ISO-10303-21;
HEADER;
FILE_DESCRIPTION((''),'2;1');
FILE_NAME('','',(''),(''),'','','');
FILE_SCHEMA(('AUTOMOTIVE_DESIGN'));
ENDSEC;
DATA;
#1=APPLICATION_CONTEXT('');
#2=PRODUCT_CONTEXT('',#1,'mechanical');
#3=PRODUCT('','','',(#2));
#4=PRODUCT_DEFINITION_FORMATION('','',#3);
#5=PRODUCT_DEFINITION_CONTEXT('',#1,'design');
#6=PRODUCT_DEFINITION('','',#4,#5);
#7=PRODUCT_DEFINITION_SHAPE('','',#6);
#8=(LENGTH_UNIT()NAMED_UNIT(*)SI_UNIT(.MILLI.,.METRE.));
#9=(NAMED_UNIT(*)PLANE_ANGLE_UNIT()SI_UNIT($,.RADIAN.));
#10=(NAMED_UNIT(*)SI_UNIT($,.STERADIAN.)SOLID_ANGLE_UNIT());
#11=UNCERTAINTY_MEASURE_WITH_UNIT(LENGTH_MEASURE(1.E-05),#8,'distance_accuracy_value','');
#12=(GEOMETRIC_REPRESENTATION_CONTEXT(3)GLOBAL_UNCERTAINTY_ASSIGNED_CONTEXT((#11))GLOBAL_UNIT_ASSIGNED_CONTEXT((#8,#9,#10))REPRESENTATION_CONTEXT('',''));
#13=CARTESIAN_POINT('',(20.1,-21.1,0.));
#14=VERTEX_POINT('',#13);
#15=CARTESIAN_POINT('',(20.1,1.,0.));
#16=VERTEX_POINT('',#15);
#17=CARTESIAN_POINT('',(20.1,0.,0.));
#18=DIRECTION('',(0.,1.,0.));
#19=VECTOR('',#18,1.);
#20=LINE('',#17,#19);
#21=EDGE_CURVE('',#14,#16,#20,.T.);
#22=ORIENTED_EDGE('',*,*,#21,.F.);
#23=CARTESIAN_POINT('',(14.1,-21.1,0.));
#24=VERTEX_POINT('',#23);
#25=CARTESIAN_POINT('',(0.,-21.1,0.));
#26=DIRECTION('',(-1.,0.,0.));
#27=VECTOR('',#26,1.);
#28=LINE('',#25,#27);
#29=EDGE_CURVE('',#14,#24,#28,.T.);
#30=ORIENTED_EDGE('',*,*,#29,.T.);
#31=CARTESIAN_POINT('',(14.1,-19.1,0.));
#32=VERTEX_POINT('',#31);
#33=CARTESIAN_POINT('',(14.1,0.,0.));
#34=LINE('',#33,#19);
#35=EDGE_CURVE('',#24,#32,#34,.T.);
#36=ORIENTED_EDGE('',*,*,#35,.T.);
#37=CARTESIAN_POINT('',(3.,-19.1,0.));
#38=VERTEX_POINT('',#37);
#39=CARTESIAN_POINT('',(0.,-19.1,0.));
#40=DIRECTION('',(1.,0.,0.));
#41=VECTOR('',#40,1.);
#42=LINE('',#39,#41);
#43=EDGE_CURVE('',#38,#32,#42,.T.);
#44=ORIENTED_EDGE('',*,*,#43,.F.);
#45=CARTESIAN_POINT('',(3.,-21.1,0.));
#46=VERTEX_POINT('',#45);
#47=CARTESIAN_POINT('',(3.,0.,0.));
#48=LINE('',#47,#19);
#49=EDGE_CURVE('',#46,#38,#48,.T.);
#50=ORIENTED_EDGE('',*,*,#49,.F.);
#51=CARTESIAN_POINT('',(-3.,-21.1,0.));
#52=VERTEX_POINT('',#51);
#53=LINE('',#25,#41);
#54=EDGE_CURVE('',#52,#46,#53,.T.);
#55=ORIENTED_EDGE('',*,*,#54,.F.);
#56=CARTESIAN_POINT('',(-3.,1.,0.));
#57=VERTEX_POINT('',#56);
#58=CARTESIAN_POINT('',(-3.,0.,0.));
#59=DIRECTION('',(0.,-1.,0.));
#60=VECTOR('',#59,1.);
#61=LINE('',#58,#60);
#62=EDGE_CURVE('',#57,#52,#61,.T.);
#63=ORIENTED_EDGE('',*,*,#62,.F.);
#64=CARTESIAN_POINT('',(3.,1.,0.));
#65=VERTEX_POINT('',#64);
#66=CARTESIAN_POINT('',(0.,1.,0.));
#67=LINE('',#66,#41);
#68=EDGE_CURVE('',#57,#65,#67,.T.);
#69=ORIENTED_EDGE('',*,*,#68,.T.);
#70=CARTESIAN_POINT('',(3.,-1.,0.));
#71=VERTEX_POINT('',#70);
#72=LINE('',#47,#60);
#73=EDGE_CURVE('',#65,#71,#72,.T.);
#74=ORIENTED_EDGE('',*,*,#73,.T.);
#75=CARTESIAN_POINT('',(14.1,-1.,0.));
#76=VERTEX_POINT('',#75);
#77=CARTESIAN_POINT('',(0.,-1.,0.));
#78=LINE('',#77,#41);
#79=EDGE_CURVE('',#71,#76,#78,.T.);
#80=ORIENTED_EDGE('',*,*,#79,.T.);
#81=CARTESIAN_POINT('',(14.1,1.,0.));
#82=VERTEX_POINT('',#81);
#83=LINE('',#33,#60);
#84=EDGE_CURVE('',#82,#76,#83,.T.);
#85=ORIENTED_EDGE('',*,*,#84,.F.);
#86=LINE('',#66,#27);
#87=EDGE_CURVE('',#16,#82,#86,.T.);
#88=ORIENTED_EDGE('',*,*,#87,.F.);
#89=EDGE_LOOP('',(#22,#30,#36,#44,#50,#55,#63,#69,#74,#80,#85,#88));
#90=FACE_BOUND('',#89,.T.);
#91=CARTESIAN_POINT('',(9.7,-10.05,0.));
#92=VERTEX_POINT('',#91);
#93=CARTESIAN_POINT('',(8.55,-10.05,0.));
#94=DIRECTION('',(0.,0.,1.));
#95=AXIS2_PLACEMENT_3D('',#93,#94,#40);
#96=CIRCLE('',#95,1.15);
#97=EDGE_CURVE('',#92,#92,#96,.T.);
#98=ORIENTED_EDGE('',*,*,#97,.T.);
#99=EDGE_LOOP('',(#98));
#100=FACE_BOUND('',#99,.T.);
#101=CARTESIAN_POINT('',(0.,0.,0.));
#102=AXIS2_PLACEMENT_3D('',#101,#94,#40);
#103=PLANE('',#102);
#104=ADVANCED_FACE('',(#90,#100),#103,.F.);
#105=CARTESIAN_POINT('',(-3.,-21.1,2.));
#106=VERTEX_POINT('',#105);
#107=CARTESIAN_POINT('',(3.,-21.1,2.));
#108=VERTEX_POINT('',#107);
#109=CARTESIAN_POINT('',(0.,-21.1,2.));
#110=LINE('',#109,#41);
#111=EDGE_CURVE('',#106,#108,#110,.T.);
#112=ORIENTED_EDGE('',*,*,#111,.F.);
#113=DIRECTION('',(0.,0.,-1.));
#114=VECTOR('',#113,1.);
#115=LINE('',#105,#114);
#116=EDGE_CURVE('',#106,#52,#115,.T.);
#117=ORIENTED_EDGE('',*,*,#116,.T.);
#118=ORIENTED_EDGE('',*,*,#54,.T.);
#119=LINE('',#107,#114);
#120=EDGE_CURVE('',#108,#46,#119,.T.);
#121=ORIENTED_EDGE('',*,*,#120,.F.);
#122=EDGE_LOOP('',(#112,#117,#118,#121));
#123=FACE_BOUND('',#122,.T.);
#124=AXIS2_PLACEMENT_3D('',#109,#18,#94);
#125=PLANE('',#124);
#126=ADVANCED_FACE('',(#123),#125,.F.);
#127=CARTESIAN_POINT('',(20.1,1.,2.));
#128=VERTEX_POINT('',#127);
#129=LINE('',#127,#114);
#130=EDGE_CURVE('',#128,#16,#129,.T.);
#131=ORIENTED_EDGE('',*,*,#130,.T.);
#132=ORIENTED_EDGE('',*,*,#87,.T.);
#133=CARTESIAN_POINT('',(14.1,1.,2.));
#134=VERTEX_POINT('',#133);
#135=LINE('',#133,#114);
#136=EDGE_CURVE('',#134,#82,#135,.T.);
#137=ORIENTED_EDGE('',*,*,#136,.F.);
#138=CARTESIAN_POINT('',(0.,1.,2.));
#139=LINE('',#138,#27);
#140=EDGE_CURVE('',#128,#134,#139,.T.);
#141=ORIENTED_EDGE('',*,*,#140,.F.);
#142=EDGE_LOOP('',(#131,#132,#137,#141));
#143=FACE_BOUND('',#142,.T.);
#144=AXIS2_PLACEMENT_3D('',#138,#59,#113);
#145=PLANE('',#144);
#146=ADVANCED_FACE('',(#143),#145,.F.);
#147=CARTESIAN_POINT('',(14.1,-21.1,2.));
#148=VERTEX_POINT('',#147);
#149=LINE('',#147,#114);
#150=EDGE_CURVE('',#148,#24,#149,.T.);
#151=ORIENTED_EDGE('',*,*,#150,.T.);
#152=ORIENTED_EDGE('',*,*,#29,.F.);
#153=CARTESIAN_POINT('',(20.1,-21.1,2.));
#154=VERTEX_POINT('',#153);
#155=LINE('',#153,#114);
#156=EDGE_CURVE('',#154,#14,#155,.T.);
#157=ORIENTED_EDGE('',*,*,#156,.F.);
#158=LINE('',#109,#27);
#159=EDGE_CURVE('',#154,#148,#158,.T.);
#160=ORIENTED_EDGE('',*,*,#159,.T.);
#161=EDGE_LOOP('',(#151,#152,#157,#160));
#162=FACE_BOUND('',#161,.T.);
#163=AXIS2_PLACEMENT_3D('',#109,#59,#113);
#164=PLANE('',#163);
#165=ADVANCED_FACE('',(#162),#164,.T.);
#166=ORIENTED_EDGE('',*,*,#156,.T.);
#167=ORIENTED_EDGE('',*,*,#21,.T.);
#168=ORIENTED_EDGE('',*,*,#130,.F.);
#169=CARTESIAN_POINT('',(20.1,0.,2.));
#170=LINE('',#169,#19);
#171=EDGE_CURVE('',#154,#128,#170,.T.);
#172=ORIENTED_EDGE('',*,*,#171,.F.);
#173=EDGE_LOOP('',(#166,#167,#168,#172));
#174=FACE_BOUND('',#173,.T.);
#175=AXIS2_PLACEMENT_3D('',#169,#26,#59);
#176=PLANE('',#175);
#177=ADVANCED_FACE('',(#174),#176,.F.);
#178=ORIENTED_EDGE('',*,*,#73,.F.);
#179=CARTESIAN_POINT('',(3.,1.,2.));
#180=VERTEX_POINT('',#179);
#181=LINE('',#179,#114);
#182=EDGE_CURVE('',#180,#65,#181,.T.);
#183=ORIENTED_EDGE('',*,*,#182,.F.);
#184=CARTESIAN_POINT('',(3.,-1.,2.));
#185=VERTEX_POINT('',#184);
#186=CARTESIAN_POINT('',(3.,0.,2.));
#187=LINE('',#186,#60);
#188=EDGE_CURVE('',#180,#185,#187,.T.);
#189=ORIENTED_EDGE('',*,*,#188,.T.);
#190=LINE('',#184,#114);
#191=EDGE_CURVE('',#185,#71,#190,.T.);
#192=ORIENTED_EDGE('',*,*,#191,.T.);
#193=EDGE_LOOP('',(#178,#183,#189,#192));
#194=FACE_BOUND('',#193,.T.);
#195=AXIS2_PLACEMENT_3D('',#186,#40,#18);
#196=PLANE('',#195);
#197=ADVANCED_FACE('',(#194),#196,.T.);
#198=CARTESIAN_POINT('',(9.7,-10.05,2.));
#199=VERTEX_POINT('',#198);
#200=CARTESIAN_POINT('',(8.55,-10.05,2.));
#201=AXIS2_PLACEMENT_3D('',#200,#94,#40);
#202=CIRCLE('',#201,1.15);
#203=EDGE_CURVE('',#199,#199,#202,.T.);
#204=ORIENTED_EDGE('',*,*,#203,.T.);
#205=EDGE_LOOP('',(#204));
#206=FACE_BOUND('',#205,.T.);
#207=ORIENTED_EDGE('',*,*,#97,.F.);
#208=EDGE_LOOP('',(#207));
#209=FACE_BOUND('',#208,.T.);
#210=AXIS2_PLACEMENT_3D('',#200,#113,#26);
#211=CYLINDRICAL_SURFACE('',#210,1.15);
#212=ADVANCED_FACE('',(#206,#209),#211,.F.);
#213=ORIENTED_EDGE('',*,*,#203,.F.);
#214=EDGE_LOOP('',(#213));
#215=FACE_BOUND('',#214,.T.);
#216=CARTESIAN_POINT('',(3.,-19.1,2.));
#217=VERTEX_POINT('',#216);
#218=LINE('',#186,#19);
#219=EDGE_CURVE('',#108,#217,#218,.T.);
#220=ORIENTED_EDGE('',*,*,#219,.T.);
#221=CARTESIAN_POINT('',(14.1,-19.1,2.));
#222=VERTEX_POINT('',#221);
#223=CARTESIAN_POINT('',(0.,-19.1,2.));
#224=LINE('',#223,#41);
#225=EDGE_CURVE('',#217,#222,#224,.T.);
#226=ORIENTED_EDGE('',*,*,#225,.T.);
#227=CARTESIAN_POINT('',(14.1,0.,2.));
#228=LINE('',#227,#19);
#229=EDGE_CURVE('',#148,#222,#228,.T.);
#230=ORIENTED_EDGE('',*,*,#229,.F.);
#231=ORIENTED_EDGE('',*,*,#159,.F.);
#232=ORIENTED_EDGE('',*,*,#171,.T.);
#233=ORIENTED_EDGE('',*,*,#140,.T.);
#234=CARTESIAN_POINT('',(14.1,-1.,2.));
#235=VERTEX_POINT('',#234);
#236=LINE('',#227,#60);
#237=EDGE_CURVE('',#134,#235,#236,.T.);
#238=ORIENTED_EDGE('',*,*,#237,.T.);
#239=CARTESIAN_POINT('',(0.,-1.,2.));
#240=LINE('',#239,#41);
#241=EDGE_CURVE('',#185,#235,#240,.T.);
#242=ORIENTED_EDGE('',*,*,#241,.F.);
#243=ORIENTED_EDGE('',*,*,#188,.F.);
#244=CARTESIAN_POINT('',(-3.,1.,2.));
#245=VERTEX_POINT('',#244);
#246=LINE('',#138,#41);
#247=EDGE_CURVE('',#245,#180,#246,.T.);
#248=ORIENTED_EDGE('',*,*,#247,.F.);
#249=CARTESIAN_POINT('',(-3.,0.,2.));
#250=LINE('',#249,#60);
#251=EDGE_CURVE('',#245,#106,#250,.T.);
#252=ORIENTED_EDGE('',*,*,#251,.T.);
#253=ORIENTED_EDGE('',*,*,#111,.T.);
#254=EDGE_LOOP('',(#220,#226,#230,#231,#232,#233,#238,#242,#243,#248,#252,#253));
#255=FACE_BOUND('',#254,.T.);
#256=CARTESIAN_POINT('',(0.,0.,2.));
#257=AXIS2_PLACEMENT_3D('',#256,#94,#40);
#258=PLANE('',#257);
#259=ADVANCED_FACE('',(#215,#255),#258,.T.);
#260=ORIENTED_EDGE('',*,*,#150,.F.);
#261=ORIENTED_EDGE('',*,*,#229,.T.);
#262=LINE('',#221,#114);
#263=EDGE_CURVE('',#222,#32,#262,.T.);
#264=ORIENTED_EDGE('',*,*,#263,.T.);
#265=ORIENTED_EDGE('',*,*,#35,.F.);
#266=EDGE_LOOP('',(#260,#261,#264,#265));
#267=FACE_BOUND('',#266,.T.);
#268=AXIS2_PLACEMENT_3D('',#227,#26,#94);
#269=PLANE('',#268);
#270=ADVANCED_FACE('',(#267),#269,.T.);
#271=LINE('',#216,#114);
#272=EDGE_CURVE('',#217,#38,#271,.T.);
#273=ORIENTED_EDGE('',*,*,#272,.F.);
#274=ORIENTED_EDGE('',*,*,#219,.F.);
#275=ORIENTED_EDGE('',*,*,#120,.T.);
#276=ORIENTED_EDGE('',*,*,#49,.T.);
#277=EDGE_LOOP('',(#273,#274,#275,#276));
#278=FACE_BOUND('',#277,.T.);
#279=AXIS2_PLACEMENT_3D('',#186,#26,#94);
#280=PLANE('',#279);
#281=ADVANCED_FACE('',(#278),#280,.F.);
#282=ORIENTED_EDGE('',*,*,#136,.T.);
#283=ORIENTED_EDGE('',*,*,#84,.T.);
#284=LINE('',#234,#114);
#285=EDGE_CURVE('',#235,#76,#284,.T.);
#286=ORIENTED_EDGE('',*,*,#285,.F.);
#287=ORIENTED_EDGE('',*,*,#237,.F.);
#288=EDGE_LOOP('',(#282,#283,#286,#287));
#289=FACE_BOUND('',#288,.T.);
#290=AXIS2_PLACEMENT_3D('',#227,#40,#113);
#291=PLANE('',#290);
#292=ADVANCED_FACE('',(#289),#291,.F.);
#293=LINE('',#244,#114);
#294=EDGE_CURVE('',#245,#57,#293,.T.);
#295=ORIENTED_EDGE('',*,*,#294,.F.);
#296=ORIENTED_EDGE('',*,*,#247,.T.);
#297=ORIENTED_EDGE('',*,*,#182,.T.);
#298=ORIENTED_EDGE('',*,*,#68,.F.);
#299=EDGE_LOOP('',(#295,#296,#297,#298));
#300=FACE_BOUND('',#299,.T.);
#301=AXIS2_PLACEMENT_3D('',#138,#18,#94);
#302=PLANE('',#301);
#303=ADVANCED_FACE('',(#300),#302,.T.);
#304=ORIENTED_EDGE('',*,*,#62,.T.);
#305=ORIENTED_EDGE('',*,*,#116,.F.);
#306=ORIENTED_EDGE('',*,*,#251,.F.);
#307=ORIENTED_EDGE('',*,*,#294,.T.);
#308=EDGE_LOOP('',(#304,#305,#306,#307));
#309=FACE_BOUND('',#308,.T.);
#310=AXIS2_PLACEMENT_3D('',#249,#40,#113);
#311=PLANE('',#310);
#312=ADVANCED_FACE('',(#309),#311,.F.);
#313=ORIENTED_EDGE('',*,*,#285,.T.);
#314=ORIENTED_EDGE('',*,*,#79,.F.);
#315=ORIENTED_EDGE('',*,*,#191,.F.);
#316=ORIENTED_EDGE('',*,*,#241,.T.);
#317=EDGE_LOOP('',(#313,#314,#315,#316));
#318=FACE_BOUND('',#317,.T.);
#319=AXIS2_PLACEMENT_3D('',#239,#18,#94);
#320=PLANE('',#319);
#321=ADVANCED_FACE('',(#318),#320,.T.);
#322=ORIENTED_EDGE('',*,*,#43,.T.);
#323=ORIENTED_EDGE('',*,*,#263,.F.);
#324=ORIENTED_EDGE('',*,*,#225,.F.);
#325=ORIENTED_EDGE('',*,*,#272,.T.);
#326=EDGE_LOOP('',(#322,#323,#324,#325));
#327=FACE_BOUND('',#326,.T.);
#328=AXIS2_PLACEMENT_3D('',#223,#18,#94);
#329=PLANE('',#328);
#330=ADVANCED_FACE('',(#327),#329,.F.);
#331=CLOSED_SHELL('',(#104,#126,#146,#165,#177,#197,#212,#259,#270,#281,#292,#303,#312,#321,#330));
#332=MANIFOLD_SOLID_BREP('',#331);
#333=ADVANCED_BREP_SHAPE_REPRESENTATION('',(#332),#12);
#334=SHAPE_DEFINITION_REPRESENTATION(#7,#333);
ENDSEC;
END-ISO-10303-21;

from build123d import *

# Parameters (mm, degrees)
SKETCH_1_R      = 1.15
EXTRUDE_1_DEPTH = 2


with BuildPart() as part:
    # 草图1 → 凸台-拉伸1 (new body)
    with BuildSketch(Plane.XY):
        Polygon((-3, 1), (3, 1), (3, -1), (14.1, -1), (14.1, 1), (20.1, 1), (20.1, -1), (20.1, -19.1), (20.1, -21.1), (14.1, -21.1), (14.1, -19.1), (3, -19.1), (3, -21.1), (-3, -21.1), (-3, -19.1), (-3, -1), align=None)
        with Locations((8.55, -10.05)):
            Circle(SKETCH_1_R, mode=Mode.SUBTRACT)
    extrude(amount=EXTRUDE_1_DEPTH)


solid = part.part
